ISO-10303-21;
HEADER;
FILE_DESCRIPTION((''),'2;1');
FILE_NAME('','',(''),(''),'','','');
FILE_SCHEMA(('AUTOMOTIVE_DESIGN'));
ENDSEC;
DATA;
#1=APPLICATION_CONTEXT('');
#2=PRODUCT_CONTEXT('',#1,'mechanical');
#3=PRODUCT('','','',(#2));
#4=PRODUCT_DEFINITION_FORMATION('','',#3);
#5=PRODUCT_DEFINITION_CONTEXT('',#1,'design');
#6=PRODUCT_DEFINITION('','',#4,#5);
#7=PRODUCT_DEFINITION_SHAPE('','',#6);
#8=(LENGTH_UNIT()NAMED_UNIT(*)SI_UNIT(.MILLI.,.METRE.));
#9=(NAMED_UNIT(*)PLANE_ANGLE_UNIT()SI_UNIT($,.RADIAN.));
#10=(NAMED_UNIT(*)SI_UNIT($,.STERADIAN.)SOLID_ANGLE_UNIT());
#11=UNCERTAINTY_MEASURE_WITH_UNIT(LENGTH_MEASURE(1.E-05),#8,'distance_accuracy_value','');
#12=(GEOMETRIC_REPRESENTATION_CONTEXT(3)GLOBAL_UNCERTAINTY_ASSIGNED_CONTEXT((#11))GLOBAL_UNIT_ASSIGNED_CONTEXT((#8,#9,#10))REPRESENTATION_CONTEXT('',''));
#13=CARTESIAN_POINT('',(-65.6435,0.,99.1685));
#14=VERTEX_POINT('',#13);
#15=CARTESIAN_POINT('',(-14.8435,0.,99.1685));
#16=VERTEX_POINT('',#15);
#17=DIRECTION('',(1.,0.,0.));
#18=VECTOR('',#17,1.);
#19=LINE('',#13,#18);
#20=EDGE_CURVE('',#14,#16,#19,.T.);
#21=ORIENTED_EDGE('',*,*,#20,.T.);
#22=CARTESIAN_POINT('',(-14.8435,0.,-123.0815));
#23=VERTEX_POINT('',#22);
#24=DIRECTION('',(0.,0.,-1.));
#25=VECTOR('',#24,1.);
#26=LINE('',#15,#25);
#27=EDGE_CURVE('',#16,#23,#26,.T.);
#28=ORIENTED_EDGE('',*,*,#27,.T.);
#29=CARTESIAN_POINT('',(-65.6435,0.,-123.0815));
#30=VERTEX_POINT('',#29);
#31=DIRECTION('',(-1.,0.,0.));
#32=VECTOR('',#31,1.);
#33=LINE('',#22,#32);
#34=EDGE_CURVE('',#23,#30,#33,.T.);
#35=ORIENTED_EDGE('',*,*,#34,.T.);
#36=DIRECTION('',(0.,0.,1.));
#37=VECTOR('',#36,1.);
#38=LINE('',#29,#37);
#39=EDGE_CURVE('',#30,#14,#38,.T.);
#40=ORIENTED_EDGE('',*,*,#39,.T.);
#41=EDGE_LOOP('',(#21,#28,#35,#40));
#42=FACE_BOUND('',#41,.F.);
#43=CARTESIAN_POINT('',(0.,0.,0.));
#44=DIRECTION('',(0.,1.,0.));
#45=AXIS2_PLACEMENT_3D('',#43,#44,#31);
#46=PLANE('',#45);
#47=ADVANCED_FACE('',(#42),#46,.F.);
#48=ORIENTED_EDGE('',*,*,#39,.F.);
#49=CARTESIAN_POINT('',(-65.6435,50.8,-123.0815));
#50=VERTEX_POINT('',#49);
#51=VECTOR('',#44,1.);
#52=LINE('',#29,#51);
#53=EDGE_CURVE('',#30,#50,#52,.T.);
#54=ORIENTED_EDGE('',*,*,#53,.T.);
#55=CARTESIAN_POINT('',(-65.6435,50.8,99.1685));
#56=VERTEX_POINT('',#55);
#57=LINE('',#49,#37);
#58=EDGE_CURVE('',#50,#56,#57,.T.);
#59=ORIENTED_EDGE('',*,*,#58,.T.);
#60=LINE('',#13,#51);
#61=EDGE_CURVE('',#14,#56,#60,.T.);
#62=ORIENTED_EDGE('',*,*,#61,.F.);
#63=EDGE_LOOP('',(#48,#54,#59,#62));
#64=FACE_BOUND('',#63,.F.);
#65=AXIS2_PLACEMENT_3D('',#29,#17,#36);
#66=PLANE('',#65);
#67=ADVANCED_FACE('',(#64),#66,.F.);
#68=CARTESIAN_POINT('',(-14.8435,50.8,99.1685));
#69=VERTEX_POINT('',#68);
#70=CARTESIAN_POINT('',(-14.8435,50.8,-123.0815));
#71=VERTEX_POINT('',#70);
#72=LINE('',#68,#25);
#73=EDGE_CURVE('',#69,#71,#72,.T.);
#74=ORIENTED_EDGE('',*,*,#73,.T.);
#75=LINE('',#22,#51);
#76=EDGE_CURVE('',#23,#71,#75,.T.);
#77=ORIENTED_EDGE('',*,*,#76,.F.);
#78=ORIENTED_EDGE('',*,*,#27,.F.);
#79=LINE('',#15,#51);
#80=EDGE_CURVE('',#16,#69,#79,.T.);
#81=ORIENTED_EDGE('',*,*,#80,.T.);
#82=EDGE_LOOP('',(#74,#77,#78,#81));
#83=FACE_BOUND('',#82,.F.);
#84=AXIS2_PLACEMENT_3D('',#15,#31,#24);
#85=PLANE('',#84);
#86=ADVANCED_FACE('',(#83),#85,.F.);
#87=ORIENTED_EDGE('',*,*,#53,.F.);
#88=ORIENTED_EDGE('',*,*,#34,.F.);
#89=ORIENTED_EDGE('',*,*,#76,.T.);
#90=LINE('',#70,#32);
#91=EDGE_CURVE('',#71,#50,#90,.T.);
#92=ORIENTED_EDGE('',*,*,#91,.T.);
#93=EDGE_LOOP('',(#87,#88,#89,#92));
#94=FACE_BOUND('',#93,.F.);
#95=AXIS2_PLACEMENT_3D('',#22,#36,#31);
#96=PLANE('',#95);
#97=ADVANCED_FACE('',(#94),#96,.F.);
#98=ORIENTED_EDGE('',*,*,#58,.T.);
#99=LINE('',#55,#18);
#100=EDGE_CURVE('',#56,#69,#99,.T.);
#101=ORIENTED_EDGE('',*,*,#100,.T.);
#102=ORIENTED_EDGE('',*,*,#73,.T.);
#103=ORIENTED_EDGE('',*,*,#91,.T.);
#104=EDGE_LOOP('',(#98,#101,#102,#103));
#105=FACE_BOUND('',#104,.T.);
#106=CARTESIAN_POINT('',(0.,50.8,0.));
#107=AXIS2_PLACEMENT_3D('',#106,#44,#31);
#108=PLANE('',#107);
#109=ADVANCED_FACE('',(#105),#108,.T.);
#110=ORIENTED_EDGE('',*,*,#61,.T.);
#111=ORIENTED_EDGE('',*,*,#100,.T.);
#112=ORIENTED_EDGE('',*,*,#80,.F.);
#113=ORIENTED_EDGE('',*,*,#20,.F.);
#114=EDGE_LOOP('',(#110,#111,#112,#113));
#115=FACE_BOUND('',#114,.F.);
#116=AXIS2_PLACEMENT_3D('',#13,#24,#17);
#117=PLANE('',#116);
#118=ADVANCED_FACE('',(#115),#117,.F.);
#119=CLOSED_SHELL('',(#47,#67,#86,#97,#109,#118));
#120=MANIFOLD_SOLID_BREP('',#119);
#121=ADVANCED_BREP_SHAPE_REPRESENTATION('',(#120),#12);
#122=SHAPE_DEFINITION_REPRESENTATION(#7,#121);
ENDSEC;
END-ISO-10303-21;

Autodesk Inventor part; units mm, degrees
ref_plane "YZ Plane" through (0, 0, 0) normal (1, 0, 0) x (0, 1, 0)
ref_plane "XZ Plane" through (0, 0, 0) normal (0, 1, 0) x (-1, 0, 0)
ref_plane "XY Plane" through (0, 0, 0) normal (0, 0, 1) x (1, 0, 0)
sketch "Sketch1" plane through (0, 0, 0) normal (0, 1, 0) x (-1, 0, 0)
  line L0 (65.6435, 99.1685) -> (14.8435, 99.1685)
  line L1 (14.8435, 99.1685) -> (14.8435, -123.0815)
  line L2 (14.8435, -123.0815) -> (65.6435, -123.0815)
  line L3 (65.6435, -123.0815) -> (65.6435, 99.1685)
  point P0 (0, 0)
  dimension "d0" = 222.25
  dimension "d1" = 50.8
extrude "Extrusion1" add sketch "Sketch1" along normal blind 50.8
properties part number "Pedestal"
